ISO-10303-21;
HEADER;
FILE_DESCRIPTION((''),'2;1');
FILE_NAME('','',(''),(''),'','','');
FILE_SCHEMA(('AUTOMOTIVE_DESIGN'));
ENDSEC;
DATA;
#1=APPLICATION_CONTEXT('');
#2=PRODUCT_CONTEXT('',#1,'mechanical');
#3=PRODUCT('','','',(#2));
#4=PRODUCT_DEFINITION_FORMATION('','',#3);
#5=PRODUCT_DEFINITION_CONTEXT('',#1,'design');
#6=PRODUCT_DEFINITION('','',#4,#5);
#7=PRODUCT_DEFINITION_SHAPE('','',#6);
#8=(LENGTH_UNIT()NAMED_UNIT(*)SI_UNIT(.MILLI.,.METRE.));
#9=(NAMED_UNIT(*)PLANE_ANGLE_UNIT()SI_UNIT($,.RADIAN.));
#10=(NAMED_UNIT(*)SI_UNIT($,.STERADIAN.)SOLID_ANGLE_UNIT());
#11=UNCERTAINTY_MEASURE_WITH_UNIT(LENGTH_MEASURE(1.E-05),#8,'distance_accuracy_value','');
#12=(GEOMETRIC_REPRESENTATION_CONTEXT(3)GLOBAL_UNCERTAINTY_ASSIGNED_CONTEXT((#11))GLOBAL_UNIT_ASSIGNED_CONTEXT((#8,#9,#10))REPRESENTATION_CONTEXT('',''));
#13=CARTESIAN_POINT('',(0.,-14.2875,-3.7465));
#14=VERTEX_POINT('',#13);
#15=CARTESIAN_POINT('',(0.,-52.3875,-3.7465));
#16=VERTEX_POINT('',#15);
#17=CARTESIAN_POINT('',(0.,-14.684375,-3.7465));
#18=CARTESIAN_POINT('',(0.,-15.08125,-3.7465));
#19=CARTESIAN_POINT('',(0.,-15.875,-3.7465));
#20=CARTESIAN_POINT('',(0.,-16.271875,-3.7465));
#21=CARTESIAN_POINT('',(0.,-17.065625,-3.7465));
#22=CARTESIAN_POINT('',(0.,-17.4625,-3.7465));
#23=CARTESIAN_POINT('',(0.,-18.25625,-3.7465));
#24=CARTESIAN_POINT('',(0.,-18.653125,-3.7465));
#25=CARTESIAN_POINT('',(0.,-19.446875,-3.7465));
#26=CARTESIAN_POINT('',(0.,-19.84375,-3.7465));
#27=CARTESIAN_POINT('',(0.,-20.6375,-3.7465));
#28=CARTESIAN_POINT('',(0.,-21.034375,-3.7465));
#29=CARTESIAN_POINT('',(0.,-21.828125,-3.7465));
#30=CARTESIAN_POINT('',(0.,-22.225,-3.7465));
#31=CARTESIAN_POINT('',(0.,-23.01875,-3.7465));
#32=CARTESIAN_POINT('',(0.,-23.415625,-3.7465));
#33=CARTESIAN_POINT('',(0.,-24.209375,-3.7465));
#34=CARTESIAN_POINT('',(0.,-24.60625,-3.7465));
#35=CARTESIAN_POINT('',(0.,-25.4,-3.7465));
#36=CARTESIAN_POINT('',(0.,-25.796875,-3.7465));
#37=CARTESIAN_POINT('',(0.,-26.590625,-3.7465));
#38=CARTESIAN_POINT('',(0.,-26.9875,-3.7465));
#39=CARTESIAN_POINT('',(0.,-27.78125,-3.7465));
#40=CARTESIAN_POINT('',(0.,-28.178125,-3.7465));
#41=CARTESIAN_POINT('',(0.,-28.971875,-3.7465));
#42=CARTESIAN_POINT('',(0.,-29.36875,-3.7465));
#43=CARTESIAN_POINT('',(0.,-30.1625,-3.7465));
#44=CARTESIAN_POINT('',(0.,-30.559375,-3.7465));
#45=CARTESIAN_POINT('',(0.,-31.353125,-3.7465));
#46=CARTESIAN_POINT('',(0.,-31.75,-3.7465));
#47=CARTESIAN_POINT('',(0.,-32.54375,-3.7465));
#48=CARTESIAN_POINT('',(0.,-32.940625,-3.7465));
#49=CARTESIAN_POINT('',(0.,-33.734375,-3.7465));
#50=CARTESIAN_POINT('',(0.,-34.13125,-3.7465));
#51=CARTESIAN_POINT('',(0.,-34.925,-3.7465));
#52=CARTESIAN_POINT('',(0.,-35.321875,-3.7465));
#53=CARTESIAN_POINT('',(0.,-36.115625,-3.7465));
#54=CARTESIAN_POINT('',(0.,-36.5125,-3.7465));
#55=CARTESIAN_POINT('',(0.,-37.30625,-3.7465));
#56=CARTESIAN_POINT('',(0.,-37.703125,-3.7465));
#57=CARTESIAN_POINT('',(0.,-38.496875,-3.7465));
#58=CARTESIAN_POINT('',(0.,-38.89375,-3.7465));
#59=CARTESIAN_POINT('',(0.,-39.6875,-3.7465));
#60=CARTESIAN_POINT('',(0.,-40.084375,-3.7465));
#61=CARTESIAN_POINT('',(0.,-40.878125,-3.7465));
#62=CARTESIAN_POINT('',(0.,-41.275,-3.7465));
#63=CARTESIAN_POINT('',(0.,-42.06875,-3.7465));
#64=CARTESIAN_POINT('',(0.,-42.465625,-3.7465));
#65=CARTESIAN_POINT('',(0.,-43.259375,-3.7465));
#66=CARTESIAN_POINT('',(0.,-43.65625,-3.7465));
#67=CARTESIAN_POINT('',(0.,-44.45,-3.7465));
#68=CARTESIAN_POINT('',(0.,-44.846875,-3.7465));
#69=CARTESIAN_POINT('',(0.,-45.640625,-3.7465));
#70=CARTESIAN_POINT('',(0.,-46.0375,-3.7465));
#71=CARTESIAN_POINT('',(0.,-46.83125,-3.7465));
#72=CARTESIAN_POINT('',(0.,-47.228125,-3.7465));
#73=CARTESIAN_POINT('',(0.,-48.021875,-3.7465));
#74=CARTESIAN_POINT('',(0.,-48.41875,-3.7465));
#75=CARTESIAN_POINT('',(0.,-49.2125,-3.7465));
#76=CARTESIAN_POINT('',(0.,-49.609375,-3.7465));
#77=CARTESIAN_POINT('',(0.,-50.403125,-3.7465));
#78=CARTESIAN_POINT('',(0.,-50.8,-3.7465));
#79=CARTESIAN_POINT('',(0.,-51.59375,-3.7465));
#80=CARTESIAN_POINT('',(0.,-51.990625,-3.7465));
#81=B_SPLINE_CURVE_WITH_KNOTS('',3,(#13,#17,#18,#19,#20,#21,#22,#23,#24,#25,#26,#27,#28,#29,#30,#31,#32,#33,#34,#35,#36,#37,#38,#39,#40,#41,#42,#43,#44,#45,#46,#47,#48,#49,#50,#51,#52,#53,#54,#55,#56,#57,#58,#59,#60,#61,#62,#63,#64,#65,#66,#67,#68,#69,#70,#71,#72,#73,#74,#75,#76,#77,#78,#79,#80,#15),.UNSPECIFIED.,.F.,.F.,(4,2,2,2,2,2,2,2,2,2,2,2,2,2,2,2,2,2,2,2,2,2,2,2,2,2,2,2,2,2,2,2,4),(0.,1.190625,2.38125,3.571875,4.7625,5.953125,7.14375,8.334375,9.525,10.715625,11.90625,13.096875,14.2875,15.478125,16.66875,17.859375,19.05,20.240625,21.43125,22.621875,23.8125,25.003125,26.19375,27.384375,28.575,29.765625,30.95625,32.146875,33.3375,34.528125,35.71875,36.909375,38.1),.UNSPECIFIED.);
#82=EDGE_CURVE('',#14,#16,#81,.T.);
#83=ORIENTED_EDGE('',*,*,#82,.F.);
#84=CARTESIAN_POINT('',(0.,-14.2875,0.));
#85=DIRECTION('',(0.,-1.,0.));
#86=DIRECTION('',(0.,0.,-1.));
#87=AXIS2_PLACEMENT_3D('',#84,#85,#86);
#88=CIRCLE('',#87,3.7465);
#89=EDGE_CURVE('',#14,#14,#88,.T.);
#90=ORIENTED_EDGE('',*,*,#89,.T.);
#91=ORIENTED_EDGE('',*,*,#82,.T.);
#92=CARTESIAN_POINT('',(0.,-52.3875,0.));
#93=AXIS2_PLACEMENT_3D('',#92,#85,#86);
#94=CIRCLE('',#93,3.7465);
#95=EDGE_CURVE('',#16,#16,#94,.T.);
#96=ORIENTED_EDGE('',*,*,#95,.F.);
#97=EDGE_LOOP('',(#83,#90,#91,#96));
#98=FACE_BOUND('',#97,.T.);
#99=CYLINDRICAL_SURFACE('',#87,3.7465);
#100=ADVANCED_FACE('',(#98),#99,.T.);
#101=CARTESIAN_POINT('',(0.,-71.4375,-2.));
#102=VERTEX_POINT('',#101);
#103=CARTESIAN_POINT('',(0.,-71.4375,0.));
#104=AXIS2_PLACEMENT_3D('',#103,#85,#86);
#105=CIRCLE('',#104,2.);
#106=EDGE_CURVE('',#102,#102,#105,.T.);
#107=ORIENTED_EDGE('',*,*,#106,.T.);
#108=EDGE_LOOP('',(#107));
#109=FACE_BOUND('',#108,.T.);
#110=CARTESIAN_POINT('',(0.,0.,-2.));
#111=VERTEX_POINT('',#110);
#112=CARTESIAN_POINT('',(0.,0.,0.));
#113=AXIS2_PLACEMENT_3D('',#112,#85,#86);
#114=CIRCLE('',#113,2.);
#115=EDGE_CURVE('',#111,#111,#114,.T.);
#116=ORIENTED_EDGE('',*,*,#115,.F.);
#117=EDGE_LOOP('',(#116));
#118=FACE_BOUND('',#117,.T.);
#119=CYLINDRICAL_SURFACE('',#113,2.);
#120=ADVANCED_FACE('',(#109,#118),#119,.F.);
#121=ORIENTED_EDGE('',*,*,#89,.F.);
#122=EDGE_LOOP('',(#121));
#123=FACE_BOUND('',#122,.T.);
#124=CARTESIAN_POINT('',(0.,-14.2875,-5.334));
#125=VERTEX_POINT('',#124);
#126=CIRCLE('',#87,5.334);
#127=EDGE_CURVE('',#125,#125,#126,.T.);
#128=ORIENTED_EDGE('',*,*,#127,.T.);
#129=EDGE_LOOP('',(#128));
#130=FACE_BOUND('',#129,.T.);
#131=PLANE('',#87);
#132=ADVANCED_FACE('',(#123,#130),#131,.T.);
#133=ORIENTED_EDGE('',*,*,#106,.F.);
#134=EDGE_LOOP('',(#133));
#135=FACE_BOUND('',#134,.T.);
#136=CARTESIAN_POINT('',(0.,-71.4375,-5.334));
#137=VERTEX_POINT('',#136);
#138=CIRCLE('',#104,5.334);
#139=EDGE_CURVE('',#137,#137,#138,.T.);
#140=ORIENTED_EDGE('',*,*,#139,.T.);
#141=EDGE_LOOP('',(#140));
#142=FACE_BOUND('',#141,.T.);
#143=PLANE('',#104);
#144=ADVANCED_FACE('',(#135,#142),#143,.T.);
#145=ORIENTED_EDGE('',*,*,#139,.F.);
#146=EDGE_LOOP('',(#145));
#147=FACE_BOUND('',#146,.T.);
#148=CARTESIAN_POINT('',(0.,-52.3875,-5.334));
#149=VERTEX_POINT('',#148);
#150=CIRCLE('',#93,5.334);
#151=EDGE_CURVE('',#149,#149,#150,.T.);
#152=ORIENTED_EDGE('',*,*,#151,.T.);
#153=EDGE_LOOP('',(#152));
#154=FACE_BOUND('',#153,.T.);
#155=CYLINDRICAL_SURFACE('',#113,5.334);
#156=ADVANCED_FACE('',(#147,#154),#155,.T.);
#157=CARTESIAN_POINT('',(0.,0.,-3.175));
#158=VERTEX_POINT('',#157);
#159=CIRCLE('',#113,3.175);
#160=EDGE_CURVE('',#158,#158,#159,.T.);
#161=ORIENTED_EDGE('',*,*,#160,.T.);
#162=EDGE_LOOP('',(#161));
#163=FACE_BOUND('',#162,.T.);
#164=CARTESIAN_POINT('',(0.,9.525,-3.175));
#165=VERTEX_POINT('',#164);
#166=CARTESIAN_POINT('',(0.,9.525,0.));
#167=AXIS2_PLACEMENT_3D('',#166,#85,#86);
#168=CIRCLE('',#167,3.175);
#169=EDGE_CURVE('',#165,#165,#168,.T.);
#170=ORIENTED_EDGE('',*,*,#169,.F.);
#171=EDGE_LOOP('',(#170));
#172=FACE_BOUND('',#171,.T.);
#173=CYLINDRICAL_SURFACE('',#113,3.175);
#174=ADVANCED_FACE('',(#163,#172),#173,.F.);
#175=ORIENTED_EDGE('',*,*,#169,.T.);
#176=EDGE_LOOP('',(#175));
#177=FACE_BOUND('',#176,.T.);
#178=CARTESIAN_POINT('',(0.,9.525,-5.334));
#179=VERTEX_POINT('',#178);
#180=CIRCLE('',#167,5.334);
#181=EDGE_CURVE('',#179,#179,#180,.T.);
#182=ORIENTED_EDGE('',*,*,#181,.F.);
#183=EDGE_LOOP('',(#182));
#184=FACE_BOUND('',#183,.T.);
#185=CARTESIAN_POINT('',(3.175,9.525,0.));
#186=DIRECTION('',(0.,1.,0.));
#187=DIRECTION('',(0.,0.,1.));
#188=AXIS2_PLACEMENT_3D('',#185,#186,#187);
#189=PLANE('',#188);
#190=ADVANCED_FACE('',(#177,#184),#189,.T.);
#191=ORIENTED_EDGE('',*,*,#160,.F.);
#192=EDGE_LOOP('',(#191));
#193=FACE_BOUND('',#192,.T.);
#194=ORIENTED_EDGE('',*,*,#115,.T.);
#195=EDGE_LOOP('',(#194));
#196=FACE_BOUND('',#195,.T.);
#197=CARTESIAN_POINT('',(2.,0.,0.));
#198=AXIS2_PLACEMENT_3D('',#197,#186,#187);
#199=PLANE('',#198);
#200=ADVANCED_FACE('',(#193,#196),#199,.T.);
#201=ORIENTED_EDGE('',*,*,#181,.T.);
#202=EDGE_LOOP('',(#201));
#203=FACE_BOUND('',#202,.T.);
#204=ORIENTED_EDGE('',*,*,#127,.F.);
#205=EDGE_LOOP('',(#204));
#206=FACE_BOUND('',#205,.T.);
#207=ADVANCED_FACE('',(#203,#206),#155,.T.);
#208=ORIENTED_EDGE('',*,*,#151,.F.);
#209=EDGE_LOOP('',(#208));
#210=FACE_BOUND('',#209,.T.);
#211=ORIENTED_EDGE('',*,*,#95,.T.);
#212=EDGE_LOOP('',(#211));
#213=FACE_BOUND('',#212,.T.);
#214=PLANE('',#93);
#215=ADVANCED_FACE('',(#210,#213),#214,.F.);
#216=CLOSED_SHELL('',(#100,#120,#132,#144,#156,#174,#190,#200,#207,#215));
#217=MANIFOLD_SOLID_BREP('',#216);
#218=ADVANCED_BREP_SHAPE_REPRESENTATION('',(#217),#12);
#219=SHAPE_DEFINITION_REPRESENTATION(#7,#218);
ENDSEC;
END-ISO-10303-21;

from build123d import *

# Parameters (mm, degrees)
SKETCH2_R           = 5.334
SKETCH2_R_2         = 2
BOSS_EXTRUDE1_DEPTH = 61.9125
CUT_EXTRUDE1_START  = -19.05
SKETCH3_R           = 5.334
SKETCH3_R_2         = 3.7465
CUT_EXTRUDE1_DEPTH  = 38.1


with BuildPart() as part:
    # Sketch1 → Revolve1 (revolve)
    with BuildSketch(Plane.XY, mode=Mode.PRIVATE) as revolve1_sk:
        Polygon((2, 0), (3.175, 0), (3.175, 9.525), (5.334, 9.525), (5.334, -9.525), (2, -9.525), align=None)
    revolve(revolve1_sk.sketch.rotate(Axis((0, 0, 0), (0, 1, 0)), 90), axis=Axis((0, 0, 0), (0, 1, 0)))

    # Sketch2 → Boss-Extrude1 (add)
    with BuildSketch(Plane.XZ.offset(9.525)):
        with Locations(Location((0, 0, 0), (0, 0, 270))):
            Circle(SKETCH2_R)
        with Locations(Location((0, 0, 0), (0, 0, 270))):
            Circle(SKETCH2_R_2, mode=Mode.SUBTRACT)
    extrude(amount=BOSS_EXTRUDE1_DEPTH)

    # Sketch3 → Cut-Extrude1 (cut)
    with BuildSketch(Plane.XZ.offset(71.4375).offset(CUT_EXTRUDE1_START)):
        with Locations(Location((0, 0, 0), (0, 0, 270))):
            Circle(SKETCH3_R)
        with Locations(Location((0, 0, 0), (0, 0, 270))):
            Circle(SKETCH3_R_2, mode=Mode.SUBTRACT)
    extrude(amount=-CUT_EXTRUDE1_DEPTH, mode=Mode.SUBTRACT)


solid = part.part
